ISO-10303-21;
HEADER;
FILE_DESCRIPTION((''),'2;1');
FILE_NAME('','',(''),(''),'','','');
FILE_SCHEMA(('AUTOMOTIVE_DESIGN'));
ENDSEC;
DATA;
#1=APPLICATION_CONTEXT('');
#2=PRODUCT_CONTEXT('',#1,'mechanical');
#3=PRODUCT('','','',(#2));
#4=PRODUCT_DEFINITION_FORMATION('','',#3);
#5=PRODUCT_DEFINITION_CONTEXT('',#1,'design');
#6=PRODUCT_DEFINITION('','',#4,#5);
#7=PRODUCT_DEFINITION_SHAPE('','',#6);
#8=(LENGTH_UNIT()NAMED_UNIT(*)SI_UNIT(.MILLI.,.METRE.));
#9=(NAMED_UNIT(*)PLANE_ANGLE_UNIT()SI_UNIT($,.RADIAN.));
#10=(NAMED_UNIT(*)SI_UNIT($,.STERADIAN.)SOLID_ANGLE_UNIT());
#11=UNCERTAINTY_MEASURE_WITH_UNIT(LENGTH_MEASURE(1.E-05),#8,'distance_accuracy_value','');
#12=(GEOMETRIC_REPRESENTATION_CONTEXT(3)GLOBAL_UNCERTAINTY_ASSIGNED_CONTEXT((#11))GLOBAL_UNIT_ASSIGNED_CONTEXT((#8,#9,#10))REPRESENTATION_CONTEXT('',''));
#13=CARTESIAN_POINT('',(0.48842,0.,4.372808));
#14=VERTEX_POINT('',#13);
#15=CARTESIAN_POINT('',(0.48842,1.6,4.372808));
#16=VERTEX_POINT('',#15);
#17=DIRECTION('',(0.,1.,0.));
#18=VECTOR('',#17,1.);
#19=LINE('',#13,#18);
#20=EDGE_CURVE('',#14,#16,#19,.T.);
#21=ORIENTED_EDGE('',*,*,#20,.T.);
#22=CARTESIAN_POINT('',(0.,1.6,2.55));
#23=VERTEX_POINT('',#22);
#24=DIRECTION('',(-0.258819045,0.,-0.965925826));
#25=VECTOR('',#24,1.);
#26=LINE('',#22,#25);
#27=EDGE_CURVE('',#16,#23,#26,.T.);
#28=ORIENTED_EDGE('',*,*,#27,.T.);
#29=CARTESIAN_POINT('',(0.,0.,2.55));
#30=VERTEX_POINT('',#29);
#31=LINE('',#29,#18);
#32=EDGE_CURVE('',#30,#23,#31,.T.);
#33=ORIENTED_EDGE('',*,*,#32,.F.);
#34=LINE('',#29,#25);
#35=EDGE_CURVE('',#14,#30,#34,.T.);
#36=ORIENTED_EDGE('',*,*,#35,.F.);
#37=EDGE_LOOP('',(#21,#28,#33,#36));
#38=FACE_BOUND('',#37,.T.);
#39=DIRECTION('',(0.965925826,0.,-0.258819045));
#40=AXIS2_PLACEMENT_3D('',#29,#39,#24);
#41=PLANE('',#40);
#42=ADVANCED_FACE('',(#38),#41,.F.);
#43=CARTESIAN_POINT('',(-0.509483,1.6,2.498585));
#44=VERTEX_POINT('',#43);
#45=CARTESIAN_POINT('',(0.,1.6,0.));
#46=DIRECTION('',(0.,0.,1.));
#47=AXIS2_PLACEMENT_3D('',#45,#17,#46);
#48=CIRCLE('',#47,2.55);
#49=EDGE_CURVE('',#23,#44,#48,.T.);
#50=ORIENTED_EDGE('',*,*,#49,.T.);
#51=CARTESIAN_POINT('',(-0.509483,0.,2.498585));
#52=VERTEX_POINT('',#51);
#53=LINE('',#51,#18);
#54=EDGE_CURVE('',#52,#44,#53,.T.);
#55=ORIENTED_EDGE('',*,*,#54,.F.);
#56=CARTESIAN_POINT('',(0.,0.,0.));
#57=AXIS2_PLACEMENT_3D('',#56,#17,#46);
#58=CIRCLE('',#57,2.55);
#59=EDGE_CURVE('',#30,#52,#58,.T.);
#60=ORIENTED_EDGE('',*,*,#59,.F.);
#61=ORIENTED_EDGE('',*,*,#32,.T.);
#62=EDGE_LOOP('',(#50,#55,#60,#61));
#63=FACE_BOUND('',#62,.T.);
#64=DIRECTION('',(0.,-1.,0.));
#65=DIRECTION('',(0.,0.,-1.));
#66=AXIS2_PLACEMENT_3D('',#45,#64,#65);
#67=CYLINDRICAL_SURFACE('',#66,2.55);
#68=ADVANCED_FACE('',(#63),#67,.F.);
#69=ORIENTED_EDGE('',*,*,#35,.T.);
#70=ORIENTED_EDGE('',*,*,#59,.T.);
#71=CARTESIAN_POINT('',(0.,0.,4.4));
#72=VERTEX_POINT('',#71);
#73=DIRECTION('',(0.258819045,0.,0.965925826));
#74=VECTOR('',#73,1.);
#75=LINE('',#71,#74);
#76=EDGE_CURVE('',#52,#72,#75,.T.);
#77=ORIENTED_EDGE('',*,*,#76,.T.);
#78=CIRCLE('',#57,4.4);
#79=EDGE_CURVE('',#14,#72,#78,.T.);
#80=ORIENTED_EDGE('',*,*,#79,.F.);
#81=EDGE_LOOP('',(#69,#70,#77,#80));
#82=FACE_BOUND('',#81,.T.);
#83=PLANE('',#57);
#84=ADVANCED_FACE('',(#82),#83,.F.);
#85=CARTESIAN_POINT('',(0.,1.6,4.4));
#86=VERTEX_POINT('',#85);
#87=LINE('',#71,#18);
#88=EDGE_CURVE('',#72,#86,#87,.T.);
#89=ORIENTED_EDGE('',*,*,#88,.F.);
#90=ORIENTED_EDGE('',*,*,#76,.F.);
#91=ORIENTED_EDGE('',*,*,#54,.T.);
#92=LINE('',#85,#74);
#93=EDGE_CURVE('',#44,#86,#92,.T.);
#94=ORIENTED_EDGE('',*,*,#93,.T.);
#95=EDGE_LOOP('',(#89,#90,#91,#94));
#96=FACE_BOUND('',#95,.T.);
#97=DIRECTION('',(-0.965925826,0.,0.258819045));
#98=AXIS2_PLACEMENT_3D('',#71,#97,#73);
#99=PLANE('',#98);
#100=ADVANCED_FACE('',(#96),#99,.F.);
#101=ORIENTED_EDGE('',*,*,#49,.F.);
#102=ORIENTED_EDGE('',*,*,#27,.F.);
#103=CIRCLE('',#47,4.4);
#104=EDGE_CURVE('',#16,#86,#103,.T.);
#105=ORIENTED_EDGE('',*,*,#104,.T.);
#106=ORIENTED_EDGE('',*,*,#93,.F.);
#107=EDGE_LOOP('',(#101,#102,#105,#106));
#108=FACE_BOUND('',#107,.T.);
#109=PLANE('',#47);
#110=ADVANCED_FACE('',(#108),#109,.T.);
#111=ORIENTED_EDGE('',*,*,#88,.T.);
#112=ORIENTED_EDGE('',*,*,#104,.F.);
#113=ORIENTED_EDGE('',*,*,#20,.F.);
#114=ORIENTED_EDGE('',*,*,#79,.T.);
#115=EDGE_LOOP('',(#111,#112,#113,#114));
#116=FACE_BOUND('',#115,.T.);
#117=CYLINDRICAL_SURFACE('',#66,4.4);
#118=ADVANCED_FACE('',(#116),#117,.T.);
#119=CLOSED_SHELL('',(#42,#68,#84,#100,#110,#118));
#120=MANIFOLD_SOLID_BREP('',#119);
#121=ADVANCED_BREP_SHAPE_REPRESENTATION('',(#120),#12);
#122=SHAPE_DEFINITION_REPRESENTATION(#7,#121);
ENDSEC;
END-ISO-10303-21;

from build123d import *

# Parameters (mm, degrees)
SKETCH_1_R               = 4.4
SKETCH_1_R_2             = 2.55
EXTRUDE_1_DEPTH          = 1.6
CUT_EXTRUDE_1_DEPTH      = 1
CUT_EXTRUDE_1_DEPTH_BACK = 2.6


with BuildPart() as part:
    # Эскиз1 → Бобышка-Вытянуть1 (new body)
    with BuildSketch(Plane(origin=(0, 0, 0), x_dir=(1, 0, 0), z_dir=(0, 1, 0))):
        Circle(SKETCH_1_R)
        Circle(SKETCH_1_R_2, mode=Mode.SUBTRACT)
    extrude(amount=EXTRUDE_1_DEPTH)

    # Эскиз2 → Вырез-Вытянуть1 (cut, two sides)
    with BuildSketch(Plane(origin=(0, 1.6, 0), x_dir=(1, 0, 0), z_dir=(0, 1, 0))) as cut_extrude_1_sk:
        with BuildLine():
            Line((0, -4.4), (-0.509482587, -2.498585098))
            ThreePointArc((-0.509482587, -2.498585098), (-0.256035153, -2.537113714), (0, -2.55))
            Line((0, -2.55), (0.488419817, -4.372807574))
            ThreePointArc((0.488419817, -4.372807574), (0.244588096, -4.393196634), (0, -4.4))
        make_face()
    extrude(amount=CUT_EXTRUDE_1_DEPTH, mode=Mode.SUBTRACT)
    extrude(cut_extrude_1_sk.sketch, amount=-CUT_EXTRUDE_1_DEPTH_BACK, mode=Mode.SUBTRACT)


solid = part.part
